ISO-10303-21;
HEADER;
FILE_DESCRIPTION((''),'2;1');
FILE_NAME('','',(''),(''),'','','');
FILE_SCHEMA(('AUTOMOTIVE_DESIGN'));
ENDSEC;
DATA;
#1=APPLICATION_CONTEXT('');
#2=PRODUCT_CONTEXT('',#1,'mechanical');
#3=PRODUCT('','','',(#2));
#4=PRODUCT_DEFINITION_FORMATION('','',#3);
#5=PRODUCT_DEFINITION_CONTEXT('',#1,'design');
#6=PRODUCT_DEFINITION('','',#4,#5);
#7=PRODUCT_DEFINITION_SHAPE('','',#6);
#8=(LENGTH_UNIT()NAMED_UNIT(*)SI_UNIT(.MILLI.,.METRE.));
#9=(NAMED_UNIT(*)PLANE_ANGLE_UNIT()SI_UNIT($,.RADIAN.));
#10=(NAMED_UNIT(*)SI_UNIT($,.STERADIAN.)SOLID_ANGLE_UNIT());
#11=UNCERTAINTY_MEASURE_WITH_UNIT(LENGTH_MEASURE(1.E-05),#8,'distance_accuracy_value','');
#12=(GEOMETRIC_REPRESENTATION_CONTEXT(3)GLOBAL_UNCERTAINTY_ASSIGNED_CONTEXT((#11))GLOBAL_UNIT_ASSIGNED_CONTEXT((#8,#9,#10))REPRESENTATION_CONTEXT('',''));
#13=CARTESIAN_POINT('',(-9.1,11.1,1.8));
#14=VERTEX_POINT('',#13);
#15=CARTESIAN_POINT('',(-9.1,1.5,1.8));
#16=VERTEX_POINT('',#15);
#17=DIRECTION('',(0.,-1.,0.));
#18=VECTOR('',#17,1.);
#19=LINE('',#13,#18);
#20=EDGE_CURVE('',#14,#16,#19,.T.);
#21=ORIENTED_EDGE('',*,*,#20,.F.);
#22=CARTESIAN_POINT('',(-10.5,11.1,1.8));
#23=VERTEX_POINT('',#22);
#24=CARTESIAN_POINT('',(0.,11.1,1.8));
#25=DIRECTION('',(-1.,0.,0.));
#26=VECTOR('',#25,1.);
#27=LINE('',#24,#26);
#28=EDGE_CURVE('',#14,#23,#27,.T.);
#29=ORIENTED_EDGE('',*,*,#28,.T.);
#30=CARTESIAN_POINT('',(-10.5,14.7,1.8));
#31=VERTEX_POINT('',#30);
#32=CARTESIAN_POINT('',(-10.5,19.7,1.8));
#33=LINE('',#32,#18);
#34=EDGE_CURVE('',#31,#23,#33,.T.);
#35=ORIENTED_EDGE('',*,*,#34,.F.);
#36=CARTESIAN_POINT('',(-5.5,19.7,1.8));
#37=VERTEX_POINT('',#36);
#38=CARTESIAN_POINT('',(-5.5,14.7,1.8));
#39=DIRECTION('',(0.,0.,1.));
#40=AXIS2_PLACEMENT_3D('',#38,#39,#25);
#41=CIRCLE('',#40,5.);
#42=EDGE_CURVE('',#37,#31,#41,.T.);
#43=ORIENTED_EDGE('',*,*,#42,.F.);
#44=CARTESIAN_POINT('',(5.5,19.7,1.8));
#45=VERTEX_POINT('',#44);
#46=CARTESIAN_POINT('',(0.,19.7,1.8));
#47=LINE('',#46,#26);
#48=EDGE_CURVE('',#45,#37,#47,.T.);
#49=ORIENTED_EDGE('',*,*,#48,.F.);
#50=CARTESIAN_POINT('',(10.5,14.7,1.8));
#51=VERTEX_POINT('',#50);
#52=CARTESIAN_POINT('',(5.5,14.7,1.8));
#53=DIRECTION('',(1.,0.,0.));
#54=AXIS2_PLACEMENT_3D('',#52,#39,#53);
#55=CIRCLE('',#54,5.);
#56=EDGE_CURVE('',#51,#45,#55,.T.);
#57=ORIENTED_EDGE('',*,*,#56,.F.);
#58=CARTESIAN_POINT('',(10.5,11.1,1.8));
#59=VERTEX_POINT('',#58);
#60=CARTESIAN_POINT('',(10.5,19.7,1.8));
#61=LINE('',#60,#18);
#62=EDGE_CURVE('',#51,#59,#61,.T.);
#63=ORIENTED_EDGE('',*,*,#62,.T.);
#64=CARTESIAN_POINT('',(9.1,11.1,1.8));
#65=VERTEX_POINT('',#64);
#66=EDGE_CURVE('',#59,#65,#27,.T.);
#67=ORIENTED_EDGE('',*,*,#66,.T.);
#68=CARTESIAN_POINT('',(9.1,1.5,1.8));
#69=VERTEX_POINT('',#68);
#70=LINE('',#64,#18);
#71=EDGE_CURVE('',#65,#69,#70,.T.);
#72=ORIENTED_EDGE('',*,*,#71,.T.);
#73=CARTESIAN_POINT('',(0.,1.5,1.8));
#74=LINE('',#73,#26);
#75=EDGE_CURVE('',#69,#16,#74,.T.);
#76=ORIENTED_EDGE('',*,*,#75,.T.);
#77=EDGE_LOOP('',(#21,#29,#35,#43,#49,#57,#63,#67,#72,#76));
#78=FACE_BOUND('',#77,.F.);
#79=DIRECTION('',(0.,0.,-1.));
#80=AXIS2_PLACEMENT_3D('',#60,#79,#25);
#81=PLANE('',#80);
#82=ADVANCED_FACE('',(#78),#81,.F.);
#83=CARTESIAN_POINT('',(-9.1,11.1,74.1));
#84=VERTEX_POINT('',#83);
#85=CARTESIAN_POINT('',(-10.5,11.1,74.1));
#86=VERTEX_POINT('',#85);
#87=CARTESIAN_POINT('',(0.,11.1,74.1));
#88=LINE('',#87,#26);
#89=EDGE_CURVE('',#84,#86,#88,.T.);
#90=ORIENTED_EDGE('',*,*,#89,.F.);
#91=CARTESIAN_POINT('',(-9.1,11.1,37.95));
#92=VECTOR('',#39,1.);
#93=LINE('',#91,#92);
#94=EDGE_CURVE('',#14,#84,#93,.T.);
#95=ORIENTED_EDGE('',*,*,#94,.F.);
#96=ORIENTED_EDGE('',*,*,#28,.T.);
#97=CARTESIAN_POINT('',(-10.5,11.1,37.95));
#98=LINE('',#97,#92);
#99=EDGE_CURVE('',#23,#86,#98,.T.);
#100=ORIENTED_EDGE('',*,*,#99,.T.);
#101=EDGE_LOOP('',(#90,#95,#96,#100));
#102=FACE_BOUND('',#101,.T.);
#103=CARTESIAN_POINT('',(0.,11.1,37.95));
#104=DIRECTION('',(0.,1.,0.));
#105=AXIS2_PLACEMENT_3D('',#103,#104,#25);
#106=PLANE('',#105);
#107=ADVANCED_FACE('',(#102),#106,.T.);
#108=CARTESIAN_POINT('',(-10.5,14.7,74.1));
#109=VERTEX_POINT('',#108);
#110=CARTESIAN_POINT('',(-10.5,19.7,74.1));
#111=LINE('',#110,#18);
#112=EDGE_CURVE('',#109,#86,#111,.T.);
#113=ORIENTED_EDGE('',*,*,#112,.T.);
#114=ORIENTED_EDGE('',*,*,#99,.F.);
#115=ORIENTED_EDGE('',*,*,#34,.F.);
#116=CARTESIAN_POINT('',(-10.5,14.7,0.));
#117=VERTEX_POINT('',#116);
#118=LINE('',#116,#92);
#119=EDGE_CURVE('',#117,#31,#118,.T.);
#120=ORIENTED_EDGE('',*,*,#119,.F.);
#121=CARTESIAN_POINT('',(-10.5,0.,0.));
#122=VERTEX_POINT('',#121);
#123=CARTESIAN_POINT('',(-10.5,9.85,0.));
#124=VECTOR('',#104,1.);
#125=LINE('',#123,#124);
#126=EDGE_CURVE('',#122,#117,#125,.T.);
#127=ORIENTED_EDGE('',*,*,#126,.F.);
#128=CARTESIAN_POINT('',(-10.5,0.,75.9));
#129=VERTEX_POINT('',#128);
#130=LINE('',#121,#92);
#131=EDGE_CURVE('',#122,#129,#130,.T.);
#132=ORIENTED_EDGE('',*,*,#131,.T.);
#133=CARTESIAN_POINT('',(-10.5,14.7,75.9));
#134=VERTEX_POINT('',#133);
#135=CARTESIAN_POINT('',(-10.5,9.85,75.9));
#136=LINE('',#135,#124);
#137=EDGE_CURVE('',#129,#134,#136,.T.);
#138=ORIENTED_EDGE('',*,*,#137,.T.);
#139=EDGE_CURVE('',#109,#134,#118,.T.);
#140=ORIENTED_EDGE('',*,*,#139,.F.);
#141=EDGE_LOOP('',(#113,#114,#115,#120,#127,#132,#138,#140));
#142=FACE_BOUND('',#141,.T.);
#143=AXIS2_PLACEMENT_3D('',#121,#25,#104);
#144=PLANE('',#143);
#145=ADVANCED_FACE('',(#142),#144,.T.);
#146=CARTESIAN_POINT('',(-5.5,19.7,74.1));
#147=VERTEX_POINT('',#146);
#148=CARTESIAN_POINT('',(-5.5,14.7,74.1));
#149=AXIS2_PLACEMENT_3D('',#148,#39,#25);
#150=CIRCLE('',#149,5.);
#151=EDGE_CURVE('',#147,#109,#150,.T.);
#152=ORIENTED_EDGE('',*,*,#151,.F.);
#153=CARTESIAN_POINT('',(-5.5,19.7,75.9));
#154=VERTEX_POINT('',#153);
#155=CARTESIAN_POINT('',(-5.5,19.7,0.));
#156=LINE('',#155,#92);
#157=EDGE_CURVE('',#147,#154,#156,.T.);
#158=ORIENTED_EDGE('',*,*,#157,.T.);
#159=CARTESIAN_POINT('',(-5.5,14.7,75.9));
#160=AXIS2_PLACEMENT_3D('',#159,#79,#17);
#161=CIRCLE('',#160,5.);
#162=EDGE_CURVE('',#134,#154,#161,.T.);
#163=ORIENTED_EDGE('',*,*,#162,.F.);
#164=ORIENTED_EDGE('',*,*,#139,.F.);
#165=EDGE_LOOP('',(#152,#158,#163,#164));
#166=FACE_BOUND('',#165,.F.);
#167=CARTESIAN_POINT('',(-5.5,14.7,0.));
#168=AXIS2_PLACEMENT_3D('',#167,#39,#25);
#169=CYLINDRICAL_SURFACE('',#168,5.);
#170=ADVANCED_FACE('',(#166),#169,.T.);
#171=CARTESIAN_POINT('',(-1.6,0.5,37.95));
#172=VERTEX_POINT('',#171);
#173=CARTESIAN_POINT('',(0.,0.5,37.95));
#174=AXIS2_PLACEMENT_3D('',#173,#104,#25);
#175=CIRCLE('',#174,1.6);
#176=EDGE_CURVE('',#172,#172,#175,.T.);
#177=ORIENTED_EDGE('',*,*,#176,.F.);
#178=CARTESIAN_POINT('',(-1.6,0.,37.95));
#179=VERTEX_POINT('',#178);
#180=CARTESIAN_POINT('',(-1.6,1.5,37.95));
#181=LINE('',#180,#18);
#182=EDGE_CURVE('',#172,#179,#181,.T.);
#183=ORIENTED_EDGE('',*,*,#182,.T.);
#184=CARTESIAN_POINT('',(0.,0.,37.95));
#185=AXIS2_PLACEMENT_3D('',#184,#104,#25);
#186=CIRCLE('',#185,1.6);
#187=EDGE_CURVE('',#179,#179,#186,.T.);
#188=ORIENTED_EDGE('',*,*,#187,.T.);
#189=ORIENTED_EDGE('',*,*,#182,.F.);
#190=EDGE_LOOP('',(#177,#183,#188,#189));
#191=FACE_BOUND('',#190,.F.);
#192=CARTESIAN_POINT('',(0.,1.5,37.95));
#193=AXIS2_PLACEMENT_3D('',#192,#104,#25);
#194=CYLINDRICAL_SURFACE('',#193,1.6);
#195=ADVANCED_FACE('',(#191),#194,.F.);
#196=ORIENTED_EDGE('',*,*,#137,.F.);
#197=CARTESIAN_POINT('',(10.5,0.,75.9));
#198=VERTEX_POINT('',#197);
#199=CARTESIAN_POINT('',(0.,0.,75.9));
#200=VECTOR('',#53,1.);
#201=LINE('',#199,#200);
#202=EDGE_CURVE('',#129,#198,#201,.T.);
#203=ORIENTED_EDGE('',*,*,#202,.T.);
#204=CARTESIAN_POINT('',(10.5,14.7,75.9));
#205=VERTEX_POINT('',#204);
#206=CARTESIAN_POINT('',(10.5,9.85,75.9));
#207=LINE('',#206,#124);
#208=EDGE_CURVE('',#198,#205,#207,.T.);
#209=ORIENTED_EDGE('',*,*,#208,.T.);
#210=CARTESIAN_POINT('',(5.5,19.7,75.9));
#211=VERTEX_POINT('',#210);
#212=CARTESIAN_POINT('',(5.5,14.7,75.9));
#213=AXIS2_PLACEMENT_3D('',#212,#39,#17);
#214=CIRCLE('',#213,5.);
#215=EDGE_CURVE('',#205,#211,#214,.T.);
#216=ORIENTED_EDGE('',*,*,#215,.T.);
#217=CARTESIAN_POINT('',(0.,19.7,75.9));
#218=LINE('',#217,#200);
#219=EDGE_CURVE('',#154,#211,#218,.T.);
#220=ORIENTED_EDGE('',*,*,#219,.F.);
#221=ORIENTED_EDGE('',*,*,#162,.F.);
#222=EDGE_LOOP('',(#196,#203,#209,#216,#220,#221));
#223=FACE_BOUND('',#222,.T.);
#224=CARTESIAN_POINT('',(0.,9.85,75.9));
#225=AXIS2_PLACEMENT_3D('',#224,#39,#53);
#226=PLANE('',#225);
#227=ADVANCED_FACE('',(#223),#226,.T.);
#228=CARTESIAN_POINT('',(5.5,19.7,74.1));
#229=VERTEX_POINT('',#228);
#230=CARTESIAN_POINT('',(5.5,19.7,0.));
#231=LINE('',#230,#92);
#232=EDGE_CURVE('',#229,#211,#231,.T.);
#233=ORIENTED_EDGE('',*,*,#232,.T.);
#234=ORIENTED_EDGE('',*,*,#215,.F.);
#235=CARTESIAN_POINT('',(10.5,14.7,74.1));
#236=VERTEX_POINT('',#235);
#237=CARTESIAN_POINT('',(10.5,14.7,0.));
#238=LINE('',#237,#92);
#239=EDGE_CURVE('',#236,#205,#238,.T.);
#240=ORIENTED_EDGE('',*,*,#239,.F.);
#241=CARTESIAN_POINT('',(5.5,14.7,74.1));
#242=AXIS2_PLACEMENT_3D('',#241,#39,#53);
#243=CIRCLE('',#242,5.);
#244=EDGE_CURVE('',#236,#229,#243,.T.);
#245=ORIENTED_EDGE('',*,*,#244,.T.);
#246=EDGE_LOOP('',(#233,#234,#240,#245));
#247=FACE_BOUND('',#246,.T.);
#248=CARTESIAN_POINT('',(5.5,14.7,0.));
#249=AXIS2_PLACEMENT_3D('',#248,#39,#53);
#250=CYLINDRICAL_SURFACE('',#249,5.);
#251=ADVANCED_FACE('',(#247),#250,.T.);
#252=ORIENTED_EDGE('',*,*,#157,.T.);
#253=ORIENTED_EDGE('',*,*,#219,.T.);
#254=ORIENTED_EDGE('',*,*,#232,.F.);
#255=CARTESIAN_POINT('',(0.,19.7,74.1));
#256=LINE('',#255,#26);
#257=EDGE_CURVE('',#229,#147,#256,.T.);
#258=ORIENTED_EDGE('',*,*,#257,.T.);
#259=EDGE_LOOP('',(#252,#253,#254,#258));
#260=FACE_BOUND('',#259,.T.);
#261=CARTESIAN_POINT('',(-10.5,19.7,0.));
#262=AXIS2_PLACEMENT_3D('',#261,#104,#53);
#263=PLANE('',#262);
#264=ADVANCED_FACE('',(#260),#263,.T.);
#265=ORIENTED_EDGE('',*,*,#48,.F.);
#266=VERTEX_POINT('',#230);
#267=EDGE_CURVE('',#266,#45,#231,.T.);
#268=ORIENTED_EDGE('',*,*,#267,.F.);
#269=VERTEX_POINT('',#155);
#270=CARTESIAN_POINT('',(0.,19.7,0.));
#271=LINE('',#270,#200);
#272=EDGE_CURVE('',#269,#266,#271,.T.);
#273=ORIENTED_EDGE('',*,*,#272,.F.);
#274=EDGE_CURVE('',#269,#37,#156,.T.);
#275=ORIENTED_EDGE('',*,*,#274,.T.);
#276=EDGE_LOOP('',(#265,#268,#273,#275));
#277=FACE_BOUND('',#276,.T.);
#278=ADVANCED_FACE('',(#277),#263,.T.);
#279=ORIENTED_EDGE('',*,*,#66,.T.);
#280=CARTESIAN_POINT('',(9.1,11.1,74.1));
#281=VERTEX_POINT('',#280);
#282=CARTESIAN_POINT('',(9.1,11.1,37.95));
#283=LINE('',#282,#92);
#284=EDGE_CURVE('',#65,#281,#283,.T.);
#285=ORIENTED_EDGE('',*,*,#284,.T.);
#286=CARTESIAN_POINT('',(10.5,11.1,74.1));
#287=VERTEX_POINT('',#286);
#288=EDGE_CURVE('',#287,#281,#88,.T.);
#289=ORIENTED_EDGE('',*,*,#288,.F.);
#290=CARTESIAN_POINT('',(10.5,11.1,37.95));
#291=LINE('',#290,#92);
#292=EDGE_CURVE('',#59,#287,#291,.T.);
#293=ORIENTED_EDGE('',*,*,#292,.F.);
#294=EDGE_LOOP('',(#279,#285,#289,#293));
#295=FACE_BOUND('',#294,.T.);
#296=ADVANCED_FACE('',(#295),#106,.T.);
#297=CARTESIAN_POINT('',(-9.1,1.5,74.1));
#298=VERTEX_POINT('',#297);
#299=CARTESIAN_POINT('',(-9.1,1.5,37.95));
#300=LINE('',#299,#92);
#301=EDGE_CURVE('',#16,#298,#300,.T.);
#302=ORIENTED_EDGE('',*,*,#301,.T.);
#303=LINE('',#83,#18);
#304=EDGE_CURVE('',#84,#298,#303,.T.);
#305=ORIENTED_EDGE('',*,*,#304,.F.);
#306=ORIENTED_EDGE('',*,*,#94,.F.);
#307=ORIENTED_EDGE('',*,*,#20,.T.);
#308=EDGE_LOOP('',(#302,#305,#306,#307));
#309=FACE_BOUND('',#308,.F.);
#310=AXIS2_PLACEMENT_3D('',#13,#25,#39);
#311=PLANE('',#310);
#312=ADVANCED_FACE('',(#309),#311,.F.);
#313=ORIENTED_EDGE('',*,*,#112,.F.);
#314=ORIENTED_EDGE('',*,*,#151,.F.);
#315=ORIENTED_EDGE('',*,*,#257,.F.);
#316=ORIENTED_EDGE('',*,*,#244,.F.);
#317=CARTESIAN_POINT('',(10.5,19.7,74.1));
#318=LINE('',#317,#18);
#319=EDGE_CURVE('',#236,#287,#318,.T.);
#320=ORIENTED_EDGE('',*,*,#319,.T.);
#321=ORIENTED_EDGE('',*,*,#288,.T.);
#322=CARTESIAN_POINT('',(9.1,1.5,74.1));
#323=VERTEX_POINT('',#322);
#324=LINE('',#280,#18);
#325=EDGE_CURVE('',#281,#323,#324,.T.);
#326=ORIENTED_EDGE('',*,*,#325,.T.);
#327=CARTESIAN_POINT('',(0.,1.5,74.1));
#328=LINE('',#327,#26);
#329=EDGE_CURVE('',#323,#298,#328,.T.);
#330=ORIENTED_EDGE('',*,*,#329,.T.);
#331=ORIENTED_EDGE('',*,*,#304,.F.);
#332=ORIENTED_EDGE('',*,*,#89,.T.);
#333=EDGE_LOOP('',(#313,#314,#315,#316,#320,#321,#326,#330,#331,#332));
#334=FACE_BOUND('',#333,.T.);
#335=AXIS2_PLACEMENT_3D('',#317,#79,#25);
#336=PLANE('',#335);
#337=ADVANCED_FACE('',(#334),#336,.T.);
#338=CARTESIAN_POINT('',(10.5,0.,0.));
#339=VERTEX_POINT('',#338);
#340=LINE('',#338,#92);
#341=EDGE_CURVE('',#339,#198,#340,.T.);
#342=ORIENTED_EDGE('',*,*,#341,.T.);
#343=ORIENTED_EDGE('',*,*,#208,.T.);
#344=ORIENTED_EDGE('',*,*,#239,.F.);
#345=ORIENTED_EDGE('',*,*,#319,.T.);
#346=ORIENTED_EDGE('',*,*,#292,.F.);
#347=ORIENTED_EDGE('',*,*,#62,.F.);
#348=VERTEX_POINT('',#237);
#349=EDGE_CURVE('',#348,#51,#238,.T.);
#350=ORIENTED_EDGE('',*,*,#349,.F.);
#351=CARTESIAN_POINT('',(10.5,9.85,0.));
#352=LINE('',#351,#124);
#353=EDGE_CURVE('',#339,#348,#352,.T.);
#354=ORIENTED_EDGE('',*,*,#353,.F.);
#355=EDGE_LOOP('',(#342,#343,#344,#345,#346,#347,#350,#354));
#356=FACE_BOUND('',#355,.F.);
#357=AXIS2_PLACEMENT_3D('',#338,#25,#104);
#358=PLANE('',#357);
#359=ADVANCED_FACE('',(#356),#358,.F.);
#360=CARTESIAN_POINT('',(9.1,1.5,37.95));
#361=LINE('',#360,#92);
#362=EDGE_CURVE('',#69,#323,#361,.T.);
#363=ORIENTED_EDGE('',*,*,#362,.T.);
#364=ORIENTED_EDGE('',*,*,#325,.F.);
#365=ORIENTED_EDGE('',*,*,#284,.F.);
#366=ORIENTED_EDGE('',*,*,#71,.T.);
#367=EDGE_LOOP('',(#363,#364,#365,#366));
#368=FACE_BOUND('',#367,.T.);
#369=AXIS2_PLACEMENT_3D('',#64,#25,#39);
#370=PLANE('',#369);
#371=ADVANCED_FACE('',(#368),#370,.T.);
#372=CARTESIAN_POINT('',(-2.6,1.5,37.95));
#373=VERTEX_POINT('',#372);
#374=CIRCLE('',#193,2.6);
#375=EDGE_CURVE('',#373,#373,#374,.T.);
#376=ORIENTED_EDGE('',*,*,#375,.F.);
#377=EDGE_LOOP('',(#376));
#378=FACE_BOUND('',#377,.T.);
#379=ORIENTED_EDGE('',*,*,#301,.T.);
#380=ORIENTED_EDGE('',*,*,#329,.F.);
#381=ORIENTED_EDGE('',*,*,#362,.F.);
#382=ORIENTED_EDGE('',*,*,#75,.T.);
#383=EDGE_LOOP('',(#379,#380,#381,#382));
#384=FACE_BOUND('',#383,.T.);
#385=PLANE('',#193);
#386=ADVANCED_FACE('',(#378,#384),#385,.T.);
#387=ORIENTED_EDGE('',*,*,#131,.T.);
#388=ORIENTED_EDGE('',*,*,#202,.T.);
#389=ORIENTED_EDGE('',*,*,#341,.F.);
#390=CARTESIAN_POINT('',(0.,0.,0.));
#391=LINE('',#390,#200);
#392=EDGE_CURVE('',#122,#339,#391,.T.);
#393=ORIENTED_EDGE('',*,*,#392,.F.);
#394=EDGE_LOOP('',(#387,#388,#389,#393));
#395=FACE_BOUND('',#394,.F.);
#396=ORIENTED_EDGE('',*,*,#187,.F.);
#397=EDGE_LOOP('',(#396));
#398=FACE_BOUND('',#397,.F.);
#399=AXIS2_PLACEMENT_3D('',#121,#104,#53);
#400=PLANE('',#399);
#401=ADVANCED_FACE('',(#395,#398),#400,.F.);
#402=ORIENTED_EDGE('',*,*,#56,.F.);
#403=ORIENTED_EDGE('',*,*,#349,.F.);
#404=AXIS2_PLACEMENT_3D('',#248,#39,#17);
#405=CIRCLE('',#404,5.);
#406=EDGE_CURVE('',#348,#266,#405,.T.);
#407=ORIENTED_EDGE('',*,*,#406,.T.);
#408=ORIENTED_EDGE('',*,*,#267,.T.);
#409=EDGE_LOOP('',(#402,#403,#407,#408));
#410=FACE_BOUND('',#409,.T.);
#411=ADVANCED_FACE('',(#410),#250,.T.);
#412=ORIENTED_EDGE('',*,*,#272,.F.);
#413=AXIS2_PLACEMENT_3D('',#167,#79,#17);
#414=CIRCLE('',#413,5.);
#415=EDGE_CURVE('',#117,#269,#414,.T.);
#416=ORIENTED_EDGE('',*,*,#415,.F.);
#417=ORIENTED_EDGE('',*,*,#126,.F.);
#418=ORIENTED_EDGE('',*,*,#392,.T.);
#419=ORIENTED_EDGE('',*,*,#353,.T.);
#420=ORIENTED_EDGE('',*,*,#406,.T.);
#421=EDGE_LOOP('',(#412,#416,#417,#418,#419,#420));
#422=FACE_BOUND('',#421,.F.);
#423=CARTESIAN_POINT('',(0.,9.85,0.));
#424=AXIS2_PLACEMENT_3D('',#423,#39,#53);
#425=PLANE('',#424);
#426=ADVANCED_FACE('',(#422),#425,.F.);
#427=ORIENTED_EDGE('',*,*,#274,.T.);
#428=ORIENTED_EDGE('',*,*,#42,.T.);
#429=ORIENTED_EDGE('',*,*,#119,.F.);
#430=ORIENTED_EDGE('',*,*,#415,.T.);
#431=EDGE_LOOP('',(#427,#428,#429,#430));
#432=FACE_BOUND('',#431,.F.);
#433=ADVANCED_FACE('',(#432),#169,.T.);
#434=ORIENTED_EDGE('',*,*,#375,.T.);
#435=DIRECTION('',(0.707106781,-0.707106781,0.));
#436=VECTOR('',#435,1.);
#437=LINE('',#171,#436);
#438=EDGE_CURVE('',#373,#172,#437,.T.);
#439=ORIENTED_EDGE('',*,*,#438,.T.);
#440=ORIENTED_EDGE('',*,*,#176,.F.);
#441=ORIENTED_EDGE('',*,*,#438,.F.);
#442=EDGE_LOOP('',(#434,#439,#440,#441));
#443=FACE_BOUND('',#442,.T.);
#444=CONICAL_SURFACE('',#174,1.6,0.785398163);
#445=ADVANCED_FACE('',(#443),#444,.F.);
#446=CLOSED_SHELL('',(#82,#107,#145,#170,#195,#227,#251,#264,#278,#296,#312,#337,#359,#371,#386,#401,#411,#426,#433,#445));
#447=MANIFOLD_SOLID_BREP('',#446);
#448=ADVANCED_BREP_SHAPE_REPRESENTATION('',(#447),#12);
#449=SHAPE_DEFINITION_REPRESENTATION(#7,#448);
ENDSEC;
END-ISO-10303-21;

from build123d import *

# Parameters (mm, degrees)
SKETCH_W        = 21
SKETCH_H        = 19.7
PAD_DEPTH       = 75.9
FILLET_R        = 5
SKETCH001_W     = 21
SKETCH001_H     = 72.3
POCKET_DEPTH    = 8.6
SKETCH002_W     = 18.2
SKETCH002_H     = 72.3
POCKET001_DEPTH = 9.6
SKETCH003_R     = 1.6
POCKET002_DEPTH = 5
CHAMFER_SIZE    = 1


with BuildPart() as part:
    # Sketch → Pad (new body)
    with BuildSketch(Plane.XY):
        with Locations((0, 9.85)):
            Rectangle(SKETCH_W, SKETCH_H)
    extrude(amount=PAD_DEPTH)

    # Fillet
    fillet_edges = [part.edges().sort_by_distance(p)[0] for p in [
        (-10.5, 19.7, 37.95),
        (10.5, 19.7, 37.95),
    ]]
    fillet(fillet_edges, radius=FILLET_R)

    # Sketch001 (on Face6 of Fillet) → Pocket (cut)
    with BuildSketch(Plane(origin=(0, 19.7, 0), x_dir=(-1, 0, 0), z_dir=(0, 1, 0))):
        with Locations((0, 37.95)):
            Rectangle(SKETCH001_W, SKETCH001_H)
    extrude(amount=-POCKET_DEPTH, mode=Mode.SUBTRACT)

    # Sketch002 (on Face4 of Pocket) → Pocket001 (cut)
    with BuildSketch(Plane(origin=(0, 11.1, 0), x_dir=(-1, 0, 0), z_dir=(0, 1, 0))):
        with Locations((0, 37.95)):
            Rectangle(SKETCH002_W, SKETCH002_H)
    extrude(amount=-POCKET001_DEPTH, mode=Mode.SUBTRACT)

    # Sketch003 (on Face20 of Pocket001) → Pocket002 (cut)
    with BuildSketch(Plane(origin=(0, 1.5, 0), x_dir=(-1, 0, 0), z_dir=(0, 1, 0))):
        with Locations((0, 37.95)):
            Circle(SKETCH003_R)
    extrude(amount=-POCKET002_DEPTH, mode=Mode.SUBTRACT)

    # Chamfer
    chamfer_edges = [part.edges().sort_by_distance(p)[0] for p in [
        (1.6, 1.5, 37.95),
    ]]
    chamfer(chamfer_edges, length=CHAMFER_SIZE)


solid = part.part
